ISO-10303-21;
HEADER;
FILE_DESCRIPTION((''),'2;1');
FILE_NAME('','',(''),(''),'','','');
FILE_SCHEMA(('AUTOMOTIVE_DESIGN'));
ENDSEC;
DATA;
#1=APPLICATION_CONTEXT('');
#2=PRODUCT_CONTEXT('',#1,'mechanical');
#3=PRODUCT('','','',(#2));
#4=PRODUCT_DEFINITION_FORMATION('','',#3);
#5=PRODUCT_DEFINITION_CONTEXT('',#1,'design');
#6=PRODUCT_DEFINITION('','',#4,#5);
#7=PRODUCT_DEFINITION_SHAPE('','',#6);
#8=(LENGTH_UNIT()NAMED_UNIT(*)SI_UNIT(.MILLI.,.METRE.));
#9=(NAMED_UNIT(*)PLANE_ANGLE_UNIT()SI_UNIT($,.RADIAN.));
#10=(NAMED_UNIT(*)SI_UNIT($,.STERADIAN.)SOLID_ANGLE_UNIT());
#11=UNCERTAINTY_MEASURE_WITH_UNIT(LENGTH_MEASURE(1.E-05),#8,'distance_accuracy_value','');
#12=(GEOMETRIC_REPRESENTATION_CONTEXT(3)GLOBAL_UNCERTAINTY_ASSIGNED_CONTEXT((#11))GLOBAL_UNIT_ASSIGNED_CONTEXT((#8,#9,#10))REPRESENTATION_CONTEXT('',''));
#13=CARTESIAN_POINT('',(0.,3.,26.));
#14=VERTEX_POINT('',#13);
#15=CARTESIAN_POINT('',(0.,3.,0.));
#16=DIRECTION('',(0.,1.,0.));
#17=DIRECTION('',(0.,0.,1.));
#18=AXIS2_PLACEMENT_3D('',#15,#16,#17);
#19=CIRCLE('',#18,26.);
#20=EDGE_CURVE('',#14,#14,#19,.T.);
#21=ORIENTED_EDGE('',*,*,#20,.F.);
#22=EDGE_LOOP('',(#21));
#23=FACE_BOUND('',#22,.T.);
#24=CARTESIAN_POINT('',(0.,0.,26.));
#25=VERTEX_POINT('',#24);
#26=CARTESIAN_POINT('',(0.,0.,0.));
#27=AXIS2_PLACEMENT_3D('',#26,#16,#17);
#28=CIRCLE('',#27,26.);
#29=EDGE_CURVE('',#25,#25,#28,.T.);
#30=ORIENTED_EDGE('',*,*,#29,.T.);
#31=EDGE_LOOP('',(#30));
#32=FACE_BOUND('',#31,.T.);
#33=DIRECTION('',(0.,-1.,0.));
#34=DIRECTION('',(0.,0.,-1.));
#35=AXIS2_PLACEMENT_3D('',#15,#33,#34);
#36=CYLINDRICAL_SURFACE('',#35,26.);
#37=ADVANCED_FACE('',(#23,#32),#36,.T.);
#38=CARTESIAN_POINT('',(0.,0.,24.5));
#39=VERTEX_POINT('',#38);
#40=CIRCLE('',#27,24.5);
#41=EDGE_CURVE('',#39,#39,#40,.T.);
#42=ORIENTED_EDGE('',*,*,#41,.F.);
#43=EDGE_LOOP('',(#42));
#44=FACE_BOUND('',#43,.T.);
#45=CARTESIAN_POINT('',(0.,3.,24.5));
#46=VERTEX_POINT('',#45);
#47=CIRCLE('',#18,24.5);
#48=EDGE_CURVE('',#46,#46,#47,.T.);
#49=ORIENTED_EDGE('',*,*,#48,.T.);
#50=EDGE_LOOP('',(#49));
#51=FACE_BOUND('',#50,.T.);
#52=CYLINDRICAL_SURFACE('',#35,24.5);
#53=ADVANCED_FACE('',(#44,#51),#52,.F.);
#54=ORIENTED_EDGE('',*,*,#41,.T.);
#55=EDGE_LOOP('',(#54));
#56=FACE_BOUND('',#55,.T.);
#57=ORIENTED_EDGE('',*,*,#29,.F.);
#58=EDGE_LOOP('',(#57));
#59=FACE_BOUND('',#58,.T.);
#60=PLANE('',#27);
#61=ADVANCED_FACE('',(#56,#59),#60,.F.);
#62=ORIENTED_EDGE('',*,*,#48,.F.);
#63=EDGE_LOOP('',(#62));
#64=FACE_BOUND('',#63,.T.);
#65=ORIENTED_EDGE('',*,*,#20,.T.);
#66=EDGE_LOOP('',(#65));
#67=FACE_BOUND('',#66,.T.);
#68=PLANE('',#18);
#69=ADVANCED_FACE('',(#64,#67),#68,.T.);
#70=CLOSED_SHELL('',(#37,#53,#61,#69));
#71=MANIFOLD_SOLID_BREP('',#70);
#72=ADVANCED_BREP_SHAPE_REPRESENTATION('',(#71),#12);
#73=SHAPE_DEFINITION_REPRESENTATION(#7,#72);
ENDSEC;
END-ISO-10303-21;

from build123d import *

# Parameters (mm, degrees)
SKETCH_1_R      = 26
SKETCH_1_R_2    = 24.5
EXTRUDE_1_DEPTH = 3


with BuildPart() as part:
    # Эскиз1 → Бобышка-Вытянуть1 (new body)
    with BuildSketch(Plane(origin=(0, 0, 0), x_dir=(1, 0, 0), z_dir=(0, 1, 0))):
        with Locations(Location((0, 0, 0), (0, 0, 270))):
            Circle(SKETCH_1_R)
        with Locations(Location((0, 0, 0), (0, 0, 270))):
            Circle(SKETCH_1_R_2, mode=Mode.SUBTRACT)
    extrude(amount=EXTRUDE_1_DEPTH)


solid = part.part
